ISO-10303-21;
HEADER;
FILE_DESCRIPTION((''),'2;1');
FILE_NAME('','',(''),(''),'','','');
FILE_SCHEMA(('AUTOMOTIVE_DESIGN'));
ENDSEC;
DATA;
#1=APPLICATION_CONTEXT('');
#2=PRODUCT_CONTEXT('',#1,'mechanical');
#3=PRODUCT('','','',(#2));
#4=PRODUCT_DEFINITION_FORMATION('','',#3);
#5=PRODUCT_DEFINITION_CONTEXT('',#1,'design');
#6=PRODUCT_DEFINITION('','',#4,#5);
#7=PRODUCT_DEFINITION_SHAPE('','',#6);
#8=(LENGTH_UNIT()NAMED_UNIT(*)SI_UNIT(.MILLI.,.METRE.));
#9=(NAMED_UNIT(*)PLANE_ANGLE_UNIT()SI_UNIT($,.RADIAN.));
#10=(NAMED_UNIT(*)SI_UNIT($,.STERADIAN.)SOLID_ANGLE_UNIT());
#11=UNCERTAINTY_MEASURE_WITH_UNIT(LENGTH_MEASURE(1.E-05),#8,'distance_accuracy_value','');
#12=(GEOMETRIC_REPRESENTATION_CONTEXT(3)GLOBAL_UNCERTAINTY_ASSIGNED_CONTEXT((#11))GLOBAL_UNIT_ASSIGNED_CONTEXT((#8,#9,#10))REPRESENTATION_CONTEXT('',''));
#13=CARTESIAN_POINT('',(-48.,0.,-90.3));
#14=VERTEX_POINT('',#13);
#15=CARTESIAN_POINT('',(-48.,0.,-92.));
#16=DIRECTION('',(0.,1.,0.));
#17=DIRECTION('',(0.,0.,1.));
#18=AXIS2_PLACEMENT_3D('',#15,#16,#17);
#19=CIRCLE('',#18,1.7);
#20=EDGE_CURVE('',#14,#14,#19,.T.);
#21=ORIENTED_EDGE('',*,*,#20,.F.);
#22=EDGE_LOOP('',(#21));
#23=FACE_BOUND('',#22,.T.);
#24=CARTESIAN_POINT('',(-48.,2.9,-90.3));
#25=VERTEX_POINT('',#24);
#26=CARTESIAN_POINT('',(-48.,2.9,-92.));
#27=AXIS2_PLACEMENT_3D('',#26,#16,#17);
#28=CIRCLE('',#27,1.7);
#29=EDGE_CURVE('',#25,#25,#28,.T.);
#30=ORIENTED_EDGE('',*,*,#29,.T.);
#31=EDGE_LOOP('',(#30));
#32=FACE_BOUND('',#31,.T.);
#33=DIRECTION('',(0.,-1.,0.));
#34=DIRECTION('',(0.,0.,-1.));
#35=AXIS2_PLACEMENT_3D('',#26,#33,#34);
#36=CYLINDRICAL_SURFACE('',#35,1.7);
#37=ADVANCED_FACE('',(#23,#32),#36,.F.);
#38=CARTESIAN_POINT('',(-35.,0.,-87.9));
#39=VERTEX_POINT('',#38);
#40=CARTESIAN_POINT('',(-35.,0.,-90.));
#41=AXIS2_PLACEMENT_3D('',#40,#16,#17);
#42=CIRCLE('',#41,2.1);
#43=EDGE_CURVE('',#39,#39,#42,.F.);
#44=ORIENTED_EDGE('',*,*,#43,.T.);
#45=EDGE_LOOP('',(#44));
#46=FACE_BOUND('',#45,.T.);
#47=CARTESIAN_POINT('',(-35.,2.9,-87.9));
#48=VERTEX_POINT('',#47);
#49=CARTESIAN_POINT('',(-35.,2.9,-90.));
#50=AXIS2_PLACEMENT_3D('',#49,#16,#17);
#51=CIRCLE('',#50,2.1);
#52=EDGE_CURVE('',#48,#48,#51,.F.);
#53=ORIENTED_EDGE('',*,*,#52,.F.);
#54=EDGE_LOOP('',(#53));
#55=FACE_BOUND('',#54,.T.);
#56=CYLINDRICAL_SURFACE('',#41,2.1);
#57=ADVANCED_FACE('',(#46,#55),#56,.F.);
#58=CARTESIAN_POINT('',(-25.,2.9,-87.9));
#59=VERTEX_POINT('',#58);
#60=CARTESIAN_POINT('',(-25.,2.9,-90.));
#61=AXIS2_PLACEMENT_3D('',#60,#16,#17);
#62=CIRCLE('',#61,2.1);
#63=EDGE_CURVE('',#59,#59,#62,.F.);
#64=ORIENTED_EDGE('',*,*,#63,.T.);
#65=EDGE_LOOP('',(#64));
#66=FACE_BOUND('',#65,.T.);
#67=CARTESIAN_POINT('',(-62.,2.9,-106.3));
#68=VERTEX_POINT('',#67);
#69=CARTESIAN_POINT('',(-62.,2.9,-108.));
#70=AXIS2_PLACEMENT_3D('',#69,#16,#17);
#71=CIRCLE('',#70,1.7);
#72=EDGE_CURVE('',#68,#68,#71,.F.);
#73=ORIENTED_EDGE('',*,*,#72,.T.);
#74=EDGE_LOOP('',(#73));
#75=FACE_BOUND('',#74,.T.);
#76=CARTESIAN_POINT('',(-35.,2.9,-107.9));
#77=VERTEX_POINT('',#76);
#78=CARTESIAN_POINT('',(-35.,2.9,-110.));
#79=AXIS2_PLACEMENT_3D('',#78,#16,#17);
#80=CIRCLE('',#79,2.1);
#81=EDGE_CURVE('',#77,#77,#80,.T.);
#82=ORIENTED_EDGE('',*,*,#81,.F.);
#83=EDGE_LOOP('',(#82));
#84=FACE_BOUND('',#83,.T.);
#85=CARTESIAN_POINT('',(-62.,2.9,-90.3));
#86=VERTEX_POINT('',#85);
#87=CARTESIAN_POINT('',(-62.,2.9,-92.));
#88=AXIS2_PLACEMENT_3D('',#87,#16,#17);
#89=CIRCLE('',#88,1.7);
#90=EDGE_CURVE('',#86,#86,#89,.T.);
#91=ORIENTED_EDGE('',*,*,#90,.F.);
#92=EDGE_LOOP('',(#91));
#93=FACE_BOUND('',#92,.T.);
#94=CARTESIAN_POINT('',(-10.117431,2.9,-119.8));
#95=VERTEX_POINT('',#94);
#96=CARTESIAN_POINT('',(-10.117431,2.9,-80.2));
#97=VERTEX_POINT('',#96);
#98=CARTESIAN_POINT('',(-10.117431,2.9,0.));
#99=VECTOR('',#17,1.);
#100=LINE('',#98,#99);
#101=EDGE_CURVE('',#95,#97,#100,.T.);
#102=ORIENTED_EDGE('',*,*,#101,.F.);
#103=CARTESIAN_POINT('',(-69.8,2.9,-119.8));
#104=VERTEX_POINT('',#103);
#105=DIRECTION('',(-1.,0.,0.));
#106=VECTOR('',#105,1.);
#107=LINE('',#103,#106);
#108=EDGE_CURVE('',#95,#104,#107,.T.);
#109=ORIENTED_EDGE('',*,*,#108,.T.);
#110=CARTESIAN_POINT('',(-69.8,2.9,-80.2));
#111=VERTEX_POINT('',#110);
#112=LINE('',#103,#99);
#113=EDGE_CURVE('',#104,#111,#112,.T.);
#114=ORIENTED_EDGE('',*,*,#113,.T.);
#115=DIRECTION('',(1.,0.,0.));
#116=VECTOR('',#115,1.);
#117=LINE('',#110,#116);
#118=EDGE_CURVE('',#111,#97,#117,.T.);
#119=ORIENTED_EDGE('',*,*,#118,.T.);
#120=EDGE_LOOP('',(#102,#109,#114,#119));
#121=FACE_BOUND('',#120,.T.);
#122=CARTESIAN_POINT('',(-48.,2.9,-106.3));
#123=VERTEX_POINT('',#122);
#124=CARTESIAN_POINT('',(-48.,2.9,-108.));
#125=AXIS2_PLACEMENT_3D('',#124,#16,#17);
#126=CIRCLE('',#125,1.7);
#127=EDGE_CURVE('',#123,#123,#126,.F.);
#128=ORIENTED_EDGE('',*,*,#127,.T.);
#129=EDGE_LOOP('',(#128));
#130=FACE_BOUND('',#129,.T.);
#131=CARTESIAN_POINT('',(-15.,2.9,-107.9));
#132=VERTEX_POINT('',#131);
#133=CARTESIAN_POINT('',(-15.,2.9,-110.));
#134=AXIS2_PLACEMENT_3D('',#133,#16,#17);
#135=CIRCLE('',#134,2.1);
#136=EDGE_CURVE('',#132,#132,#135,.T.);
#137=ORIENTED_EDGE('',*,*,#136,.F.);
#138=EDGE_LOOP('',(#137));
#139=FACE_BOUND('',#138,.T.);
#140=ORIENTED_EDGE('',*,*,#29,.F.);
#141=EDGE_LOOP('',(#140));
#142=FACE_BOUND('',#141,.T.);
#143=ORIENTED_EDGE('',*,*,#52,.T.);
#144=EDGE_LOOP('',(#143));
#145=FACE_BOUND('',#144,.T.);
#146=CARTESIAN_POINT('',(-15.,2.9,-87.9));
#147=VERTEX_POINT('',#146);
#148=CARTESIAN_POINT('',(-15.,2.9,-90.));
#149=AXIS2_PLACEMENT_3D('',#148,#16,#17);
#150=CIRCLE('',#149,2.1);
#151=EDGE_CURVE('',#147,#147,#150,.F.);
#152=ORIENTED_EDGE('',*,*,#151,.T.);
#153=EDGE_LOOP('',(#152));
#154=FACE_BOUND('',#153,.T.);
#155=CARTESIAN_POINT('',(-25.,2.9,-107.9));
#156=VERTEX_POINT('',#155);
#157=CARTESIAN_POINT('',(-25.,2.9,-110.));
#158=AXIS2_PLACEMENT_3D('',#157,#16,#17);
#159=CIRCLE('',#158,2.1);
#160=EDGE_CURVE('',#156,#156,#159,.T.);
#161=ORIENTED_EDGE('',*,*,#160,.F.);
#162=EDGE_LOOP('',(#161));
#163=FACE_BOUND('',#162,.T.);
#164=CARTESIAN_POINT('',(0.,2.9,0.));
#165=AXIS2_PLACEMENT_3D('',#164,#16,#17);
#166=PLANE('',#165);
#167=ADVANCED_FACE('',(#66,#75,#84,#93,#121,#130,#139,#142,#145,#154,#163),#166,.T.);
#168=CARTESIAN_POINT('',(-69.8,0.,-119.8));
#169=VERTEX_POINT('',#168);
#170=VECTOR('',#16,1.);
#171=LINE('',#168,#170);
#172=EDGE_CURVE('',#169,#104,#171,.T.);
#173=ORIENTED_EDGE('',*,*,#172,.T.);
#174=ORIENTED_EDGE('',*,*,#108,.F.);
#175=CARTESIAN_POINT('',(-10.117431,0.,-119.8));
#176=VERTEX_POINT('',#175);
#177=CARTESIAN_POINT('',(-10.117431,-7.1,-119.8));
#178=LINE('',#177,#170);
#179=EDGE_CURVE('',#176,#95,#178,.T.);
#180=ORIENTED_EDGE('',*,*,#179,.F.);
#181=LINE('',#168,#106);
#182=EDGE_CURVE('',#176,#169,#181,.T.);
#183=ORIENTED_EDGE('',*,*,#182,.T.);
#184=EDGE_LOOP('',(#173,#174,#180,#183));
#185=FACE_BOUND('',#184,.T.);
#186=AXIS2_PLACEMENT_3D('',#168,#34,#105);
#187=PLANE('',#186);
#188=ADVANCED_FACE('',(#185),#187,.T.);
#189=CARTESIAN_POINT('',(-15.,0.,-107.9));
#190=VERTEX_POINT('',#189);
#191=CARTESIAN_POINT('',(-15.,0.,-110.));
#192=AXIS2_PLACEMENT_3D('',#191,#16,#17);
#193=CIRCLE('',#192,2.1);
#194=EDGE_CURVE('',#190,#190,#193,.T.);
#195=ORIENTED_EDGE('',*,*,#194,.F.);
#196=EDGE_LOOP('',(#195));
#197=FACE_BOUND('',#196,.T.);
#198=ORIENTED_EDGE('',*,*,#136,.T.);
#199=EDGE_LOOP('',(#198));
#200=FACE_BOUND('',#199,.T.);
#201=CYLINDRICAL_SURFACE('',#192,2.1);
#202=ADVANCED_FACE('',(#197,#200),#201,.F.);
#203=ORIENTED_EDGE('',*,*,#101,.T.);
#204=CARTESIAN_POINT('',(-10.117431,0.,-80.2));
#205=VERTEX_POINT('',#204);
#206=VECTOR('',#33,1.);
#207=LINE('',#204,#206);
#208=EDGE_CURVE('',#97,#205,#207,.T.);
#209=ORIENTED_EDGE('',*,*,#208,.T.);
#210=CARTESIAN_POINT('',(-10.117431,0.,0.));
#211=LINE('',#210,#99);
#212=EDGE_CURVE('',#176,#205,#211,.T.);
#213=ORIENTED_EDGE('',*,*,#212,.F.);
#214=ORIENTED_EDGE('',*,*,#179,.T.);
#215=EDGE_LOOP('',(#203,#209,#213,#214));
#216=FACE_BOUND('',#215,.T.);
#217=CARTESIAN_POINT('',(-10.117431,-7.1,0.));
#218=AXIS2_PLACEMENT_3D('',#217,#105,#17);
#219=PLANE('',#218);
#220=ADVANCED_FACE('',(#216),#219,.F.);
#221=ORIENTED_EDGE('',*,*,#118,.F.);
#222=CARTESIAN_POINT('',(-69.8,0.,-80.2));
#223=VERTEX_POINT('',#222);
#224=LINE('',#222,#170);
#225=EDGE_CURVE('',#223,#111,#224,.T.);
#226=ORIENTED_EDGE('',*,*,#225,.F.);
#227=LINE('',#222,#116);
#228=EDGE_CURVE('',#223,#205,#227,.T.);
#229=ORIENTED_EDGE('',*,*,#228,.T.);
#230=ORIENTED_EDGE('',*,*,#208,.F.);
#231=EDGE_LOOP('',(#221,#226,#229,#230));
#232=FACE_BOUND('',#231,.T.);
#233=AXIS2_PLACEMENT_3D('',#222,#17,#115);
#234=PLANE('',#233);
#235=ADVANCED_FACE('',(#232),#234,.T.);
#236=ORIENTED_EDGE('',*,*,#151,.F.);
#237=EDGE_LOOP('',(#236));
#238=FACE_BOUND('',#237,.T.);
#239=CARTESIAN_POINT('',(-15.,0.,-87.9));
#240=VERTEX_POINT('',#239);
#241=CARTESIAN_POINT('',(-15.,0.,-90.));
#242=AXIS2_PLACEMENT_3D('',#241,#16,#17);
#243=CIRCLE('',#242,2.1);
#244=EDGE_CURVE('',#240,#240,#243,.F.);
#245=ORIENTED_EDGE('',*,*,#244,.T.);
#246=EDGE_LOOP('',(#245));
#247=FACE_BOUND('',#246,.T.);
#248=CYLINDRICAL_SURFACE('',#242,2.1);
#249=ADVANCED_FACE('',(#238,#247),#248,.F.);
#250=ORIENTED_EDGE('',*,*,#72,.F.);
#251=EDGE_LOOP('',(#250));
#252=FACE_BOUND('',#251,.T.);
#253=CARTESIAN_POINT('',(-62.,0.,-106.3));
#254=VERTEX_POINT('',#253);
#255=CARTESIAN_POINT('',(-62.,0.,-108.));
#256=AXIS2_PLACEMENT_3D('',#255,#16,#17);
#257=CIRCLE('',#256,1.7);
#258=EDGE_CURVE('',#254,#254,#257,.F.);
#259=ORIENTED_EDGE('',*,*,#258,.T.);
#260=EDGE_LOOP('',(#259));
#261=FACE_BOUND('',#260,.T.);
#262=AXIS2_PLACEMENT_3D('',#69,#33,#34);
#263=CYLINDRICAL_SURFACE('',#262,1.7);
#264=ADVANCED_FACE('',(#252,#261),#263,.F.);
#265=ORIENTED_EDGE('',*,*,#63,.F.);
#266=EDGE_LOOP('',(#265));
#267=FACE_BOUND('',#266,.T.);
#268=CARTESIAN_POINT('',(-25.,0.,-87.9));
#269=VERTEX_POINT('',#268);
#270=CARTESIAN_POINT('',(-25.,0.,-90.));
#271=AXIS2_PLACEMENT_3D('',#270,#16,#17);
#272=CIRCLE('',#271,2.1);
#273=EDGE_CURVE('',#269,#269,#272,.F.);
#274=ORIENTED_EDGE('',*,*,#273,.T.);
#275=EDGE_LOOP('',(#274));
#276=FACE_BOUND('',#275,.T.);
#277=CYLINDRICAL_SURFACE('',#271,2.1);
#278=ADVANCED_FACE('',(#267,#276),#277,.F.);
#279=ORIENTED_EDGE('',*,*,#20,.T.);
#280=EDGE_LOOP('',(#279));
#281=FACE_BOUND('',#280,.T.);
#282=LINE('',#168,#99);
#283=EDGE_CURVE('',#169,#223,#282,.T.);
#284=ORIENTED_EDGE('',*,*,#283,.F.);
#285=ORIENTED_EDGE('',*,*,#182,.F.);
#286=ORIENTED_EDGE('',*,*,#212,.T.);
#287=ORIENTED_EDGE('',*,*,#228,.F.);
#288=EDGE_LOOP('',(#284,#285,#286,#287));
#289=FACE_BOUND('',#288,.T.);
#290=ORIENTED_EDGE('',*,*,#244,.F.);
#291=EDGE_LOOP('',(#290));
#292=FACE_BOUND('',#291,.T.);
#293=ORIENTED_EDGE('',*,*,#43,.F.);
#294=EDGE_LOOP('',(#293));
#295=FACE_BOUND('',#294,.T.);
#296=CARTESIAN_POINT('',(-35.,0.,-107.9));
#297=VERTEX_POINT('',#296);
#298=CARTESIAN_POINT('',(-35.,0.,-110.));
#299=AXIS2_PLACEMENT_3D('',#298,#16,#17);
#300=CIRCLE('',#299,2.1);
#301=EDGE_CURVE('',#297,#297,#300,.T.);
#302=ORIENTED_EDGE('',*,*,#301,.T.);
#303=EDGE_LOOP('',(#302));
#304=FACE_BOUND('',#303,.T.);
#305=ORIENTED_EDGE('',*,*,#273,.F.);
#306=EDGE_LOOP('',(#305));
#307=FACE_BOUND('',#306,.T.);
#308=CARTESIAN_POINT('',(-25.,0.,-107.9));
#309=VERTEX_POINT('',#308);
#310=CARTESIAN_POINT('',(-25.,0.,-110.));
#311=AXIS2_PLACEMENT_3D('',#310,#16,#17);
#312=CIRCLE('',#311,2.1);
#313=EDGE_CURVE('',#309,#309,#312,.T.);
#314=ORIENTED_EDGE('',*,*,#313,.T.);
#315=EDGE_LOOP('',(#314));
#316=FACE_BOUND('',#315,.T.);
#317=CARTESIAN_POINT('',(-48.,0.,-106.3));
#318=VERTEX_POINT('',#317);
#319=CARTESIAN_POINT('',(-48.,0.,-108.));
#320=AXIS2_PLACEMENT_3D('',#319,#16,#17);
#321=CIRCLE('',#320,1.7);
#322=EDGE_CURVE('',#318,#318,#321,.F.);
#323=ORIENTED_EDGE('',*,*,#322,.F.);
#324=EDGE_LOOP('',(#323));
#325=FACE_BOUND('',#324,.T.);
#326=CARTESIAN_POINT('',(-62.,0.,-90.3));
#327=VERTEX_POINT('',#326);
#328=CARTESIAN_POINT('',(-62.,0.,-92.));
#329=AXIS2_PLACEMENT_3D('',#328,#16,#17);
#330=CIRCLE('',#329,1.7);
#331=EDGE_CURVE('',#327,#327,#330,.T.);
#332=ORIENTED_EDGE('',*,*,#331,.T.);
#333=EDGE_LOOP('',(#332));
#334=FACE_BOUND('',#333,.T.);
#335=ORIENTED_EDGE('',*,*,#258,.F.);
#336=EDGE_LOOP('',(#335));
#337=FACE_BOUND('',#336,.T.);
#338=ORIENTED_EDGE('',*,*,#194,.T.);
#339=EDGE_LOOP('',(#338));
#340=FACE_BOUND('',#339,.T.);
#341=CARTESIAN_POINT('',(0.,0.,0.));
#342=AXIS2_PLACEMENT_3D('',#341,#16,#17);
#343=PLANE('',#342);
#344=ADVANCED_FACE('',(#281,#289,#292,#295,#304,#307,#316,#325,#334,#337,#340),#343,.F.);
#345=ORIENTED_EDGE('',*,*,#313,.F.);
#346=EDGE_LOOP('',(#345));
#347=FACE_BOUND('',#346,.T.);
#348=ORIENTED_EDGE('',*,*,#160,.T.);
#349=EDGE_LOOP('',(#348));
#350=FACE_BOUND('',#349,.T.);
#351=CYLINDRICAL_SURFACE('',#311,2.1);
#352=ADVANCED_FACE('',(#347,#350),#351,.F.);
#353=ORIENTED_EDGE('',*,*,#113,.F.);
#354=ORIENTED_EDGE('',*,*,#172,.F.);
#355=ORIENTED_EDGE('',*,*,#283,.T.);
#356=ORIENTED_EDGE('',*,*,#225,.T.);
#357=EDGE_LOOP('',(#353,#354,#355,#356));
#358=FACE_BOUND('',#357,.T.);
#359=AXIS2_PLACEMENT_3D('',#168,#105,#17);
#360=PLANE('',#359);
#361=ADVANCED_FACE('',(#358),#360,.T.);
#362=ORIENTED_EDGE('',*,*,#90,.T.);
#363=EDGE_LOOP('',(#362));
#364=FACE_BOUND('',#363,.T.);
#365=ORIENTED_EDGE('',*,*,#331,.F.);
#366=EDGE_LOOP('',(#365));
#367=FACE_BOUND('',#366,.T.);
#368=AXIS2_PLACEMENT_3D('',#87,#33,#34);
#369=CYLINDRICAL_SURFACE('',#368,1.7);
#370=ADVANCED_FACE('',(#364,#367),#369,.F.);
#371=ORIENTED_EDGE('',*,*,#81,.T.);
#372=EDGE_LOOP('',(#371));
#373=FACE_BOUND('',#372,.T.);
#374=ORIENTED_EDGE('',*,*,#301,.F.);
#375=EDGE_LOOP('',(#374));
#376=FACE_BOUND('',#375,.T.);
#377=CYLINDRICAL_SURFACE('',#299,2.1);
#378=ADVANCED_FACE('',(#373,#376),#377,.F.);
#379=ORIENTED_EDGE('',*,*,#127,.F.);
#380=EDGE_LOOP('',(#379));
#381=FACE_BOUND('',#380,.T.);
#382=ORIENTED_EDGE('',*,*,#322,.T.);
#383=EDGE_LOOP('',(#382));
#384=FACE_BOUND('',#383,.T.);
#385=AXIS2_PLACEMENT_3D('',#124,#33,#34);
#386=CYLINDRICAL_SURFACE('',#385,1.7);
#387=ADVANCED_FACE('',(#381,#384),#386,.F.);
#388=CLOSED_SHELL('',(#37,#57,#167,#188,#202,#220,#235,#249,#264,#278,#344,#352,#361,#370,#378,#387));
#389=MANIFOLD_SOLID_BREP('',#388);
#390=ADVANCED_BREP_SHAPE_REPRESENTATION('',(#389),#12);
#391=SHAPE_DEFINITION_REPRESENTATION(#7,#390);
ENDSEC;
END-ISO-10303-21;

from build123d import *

# Parameters (mm, degrees)
SKETCH_1_R          = 1.7
SKETCH_1_W          = 5
SKETCH_1_H          = 13
SKETCH_1_H_2        = 2
EXTRUDE_3_DEPTH     = 2.9
SKETCH_3_R          = 2.1
CUT_EXTRUDE_3_DEPTH = 2.9
SKETCH_4_W          = 20
SKETCH_4_H          = 40
SKETCH_4_R          = 2.1
EXTRUDE_4_DEPTH     = 2.9
SKETCH_5_W          = 70
SKETCH_5_H          = 40
SKETCH_5_W_2        = 69.6
SKETCH_5_H_2        = 39.6
CUT_EXTRUDE_4_DEPTH = 2.9
SKETCH_6_W          = 9.917430794
SKETCH_6_H          = 39.6
SKETCH_6_R          = 2.1
CUT_EXTRUDE_5_DEPTH = 10


with BuildPart() as part:
    # 草图1 → 凸台-拉伸3 (new body)
    # profile 1 of 10: a face of its own
    with BuildSketch(Plane(origin=(0, 0, 0), x_dir=(1, 0, 0), z_dir=(0, 1, 0))):
        with BuildLine():
            Line((-40, 113), (-70, 113))
            Line((-70, 113), (-70, 108))
            Line((-70, 108), (-70, 92))
            Line((-70, 92), (-63.7, 92))
            ThreePointArc((-63.7, 92), (-62, 93.7), (-60.3, 92))
            ThreePointArc((-60.3, 92), (-60.797918472, 90.797918472), (-62, 90.3))
            Line((-62, 90.3), (-62, 87))
            Line((-62, 87), (-48, 87))
            Line((-48, 87), (-48, 90.3))
            ThreePointArc((-48, 90.3), (-49.202081528, 93.202081528), (-46.3, 92))
            Line((-46.3, 92), (-40, 92))
            Line((-40, 92), (-40, 113))
        make_face()
        with Locations(Location((-62, 108, 0), (0, 0, 270))):
            Circle(SKETCH_1_R, mode=Mode.SUBTRACT)
        with Locations(Location((-48, 108, 0), (0, 0, 270))):
            Circle(SKETCH_1_R, mode=Mode.SUBTRACT)
    # profile 2 of 10: a face of its own
    with BuildSketch(Plane(origin=(0, 0, 0), x_dir=(1, 0, 0), z_dir=(0, 1, 0))):
        with BuildLine():
            Line((-70, 92), (-70, 87))
            Line((-70, 87), (-62, 87))
            Line((-62, 87), (-62, 90.3))
            ThreePointArc((-62, 90.3), (-63.202081528, 90.797918472), (-63.7, 92))
            Line((-63.7, 92), (-70, 92))
        make_face()
    # profile 3 of 10: a face of its own
    with BuildSketch(Plane(origin=(0, 0, 0), x_dir=(1, 0, 0), z_dir=(0, 1, 0))):
        with BuildLine():
            Line((-48, 90.3), (-48, 87))
            Line((-48, 87), (-40, 87))
            Line((-40, 87), (-40, 92))
            Line((-40, 92), (-46.3, 92))
            ThreePointArc((-46.3, 92), (-46.797918472, 90.797918472), (-48, 90.3))
        make_face()
    # profile 4 of 10: a face of its own
    with BuildSketch(Plane(origin=(0, 0, 0), x_dir=(1, 0, 0), z_dir=(0, 1, 0))):
        Polygon((-70, 87), (-70, 80), (-20, 80), (-20, 85), (-25, 85), (-25, 87), (-40, 87), (-48, 87), (-62, 87), align=None)
    # profile 5 of 10: a face of its own
    with BuildSketch(Plane(origin=(0, 0, 0), x_dir=(1, 0, 0), z_dir=(0, 1, 0))):
        Polygon((-25, 113), (-40, 113), (-40, 92), (-40, 87), (-25, 87), (-25, 100), align=None)
    # profile 6 of 10: a face of its own
    with BuildSketch(Plane(origin=(0, 0, 0), x_dir=(1, 0, 0), z_dir=(0, 1, 0))):
        with Locations((-22.5, 93.5)):
            Rectangle(SKETCH_1_W, SKETCH_1_H)
    # profile 7 of 10: a face of its own
    with BuildSketch(Plane(origin=(0, 0, 0), x_dir=(1, 0, 0), z_dir=(0, 1, 0))):
        with Locations((-22.5, 106.5)):
            Rectangle(SKETCH_1_W, SKETCH_1_H)
    # profile 8 of 10: a face of its own
    with BuildSketch(Plane(origin=(0, 0, 0), x_dir=(1, 0, 0), z_dir=(0, 1, 0))):
        with Locations((-22.5, 86)):
            Rectangle(SKETCH_1_W, SKETCH_1_H_2)
    # profile 9 of 10: a face of its own
    with BuildSketch(Plane(origin=(0, 0, 0), x_dir=(1, 0, 0), z_dir=(0, 1, 0))):
        Polygon((-20, 120), (-70, 120), (-70, 113), (-40, 113), (-25, 113), (-25, 115), (-20, 115), align=None)
    # profile 10 of 10: a face of its own
    with BuildSketch(Plane(origin=(0, 0, 0), x_dir=(1, 0, 0), z_dir=(0, 1, 0))):
        with Locations((-22.5, 114)):
            Rectangle(SKETCH_1_W, SKETCH_1_H_2)
    extrude(amount=EXTRUDE_3_DEPTH)

    # 草图3 → 切除-拉伸3 (cut)
    with BuildSketch(Plane(origin=(0, 2.9, 0), x_dir=(1, 0, 0), z_dir=(0, 1, 0))):
        with Locations(Location((-25, 110, 0), (0, 0, 270))):
            Circle(SKETCH_3_R)
        with Locations(Location((-25, 90, 0), (0, 0, 270))):
            Circle(SKETCH_3_R)
        with Locations(Location((-35, 90, 0), (0, 0, 270))):
            Circle(SKETCH_3_R)
        with Locations(Location((-35, 110, 0), (0, 0, 270))):
            Circle(SKETCH_3_R)
    extrude(amount=-CUT_EXTRUDE_3_DEPTH, mode=Mode.SUBTRACT)

    # 草图4 → 凸台-拉伸4 (add)
    with BuildSketch(Plane(origin=(0, 2.9, 0), x_dir=(1, 0, 0), z_dir=(0, 1, 0))):
        with Locations((-10, 100)):
            Rectangle(SKETCH_4_W, SKETCH_4_H)
        with Locations(Location((-15, 110, 0), (0, 0, 270))):
            Circle(SKETCH_4_R, mode=Mode.SUBTRACT)
        with Locations(Location((-15, 90, 0), (0, 0, 270))):
            Circle(SKETCH_4_R, mode=Mode.SUBTRACT)
        with Locations(Location((-5, 110, 0), (0, 0, 270))):
            Circle(SKETCH_4_R, mode=Mode.SUBTRACT)
        with Locations(Location((-5, 90, 0), (0, 0, 270))):
            Circle(SKETCH_4_R, mode=Mode.SUBTRACT)
    extrude(amount=-EXTRUDE_4_DEPTH)

    # 草图5 → 切除-拉伸4 (cut)
    with BuildSketch(Plane(origin=(0, 2.9, 0), x_dir=(1, 0, 0), z_dir=(0, 1, 0))):
        with Locations((-35, 100)):
            Rectangle(SKETCH_5_W, SKETCH_5_H)
        with Locations((-35, 100)):
            Rectangle(SKETCH_5_W_2, SKETCH_5_H_2, mode=Mode.SUBTRACT)
    extrude(amount=-CUT_EXTRUDE_4_DEPTH, mode=Mode.SUBTRACT)

    # 草图6 → 切除-拉伸5 (cut)
    with BuildSketch(Plane(origin=(0, 2.9, 0), x_dir=(1, 0, 0), z_dir=(0, 1, 0))):
        with Locations((-5.158715397, 100)):
            Rectangle(SKETCH_6_W, SKETCH_6_H)
        with Locations((-5, 90)):
            Circle(SKETCH_6_R, mode=Mode.SUBTRACT)
        with Locations((-5, 110)):
            Circle(SKETCH_6_R, mode=Mode.SUBTRACT)
    extrude(amount=-CUT_EXTRUDE_5_DEPTH, mode=Mode.SUBTRACT)


solid = part.part
